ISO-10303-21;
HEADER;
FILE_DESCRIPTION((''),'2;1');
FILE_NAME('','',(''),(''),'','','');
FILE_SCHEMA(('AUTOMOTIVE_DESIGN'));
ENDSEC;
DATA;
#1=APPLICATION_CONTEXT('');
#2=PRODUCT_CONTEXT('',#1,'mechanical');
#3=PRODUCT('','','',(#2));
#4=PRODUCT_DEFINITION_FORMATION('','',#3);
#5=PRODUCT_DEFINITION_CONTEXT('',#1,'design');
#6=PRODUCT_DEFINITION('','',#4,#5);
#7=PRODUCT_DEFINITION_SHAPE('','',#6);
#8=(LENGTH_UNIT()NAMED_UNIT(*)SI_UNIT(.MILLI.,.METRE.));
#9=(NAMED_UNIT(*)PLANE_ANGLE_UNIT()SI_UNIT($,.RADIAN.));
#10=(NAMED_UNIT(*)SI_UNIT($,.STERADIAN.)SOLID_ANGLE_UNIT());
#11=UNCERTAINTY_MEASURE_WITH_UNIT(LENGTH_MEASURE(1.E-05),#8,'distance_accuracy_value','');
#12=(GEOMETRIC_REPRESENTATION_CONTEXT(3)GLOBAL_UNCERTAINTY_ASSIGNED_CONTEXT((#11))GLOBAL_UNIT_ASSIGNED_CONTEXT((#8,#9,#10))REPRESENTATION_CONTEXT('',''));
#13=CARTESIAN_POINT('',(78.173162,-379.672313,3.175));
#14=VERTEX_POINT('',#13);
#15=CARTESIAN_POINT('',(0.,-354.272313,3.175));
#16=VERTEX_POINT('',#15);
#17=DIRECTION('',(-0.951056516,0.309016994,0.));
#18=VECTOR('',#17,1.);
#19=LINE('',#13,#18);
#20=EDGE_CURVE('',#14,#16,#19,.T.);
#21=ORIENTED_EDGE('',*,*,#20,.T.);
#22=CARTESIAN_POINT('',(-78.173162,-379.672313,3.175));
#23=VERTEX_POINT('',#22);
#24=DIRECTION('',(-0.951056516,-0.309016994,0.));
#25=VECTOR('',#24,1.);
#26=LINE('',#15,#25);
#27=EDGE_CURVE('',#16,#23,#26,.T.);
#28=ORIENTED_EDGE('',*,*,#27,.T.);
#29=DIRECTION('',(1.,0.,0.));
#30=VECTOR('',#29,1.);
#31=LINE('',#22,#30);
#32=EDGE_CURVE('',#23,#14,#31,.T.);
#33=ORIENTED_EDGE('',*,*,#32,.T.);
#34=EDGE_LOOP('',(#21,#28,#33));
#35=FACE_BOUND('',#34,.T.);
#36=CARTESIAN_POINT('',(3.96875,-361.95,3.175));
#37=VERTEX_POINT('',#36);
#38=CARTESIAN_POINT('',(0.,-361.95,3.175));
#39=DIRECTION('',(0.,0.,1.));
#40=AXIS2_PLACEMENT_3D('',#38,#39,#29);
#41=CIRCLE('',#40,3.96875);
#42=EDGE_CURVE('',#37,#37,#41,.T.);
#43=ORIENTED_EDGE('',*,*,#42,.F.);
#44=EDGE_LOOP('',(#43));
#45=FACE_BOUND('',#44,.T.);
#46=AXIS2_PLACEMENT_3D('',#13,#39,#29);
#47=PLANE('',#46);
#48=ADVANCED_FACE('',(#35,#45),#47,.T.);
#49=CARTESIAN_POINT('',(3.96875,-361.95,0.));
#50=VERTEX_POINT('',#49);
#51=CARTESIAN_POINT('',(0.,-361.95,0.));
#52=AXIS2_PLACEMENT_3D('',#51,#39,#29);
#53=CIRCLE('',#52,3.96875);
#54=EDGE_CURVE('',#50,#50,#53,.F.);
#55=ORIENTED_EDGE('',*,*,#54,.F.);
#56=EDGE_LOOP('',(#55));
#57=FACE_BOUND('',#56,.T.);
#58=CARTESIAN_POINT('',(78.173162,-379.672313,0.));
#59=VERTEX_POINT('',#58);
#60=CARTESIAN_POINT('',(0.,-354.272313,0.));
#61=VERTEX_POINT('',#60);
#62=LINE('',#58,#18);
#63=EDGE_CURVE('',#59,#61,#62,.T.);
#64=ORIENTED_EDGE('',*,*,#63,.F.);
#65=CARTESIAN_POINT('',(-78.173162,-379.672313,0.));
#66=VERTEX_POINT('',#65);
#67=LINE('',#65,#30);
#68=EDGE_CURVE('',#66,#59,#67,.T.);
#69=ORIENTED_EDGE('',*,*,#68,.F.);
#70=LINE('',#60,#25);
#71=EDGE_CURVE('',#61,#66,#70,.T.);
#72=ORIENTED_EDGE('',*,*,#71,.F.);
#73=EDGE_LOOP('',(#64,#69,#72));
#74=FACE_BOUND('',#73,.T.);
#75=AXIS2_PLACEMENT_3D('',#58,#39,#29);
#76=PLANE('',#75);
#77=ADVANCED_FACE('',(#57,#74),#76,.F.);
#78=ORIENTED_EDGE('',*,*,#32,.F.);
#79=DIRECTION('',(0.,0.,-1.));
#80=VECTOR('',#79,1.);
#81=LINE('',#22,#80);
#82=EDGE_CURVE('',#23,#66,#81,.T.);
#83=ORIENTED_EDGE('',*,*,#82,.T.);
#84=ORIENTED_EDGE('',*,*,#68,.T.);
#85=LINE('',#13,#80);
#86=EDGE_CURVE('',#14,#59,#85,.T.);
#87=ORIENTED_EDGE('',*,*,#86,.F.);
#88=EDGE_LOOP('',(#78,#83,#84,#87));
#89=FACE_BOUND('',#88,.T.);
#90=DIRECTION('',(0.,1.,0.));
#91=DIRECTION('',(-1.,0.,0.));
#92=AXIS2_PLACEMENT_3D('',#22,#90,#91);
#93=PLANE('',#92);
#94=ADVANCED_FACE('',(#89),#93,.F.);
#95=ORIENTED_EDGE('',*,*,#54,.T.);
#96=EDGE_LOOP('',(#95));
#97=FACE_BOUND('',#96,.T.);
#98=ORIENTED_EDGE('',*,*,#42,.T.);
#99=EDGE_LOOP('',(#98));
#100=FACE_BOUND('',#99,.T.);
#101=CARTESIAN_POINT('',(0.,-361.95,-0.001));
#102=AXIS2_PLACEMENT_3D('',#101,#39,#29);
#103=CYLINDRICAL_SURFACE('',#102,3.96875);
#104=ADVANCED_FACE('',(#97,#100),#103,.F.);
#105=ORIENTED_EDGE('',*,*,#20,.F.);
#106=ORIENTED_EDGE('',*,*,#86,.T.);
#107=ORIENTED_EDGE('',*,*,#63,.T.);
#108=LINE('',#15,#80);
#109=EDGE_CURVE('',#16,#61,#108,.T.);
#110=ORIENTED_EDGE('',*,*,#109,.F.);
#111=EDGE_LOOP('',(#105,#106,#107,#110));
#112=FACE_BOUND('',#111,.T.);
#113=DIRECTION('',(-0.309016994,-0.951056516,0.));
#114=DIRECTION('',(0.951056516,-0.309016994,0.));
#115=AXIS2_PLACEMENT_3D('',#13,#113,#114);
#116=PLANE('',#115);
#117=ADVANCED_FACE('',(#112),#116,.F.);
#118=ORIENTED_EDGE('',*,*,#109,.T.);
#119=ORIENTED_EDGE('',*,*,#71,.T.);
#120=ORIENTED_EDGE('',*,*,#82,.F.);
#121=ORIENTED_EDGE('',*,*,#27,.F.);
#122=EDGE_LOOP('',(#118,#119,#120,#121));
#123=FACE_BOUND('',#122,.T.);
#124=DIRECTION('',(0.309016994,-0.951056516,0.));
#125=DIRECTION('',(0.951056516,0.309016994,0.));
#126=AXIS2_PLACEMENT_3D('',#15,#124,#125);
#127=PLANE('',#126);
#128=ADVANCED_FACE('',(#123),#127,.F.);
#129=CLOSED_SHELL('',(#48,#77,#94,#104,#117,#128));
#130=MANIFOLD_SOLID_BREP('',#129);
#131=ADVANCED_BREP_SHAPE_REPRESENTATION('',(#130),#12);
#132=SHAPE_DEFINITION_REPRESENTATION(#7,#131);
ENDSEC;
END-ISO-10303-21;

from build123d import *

# Parameters (mm, degrees)
EXTRUDE1_DEPTH     = 3.175
CUT_EXTRUDE1_REACH = 5.175
SKETCH2_R          = 3.96875


with BuildPart() as part:
    # Sketch1 → Extrude1 (new body)
    with BuildSketch(Plane.XY):
        Polygon((78.173161844, -379.67231274), (0, -354.27231274), (-78.173161844, -379.67231274), align=None)
    extrude(amount=EXTRUDE1_DEPTH)

    # Sketch2 → Cut-Extrude1 (cut, up to next)
    with BuildSketch(Plane.XY.offset(3.175), mode=Mode.PRIVATE) as cut_extrude1_sk1:
        with Locations((0, -361.95)):
            Circle(SKETCH2_R)
    cut_extrude1_tool1 = extrude(cut_extrude1_sk1.sketch, amount=-CUT_EXTRUDE1_REACH, mode=Mode.PRIVATE) & part.part
    add(cut_extrude1_tool1.solids().sort_by_distance((0, -361.95, 3.175))[0], mode=Mode.SUBTRACT)


solid = part.part
